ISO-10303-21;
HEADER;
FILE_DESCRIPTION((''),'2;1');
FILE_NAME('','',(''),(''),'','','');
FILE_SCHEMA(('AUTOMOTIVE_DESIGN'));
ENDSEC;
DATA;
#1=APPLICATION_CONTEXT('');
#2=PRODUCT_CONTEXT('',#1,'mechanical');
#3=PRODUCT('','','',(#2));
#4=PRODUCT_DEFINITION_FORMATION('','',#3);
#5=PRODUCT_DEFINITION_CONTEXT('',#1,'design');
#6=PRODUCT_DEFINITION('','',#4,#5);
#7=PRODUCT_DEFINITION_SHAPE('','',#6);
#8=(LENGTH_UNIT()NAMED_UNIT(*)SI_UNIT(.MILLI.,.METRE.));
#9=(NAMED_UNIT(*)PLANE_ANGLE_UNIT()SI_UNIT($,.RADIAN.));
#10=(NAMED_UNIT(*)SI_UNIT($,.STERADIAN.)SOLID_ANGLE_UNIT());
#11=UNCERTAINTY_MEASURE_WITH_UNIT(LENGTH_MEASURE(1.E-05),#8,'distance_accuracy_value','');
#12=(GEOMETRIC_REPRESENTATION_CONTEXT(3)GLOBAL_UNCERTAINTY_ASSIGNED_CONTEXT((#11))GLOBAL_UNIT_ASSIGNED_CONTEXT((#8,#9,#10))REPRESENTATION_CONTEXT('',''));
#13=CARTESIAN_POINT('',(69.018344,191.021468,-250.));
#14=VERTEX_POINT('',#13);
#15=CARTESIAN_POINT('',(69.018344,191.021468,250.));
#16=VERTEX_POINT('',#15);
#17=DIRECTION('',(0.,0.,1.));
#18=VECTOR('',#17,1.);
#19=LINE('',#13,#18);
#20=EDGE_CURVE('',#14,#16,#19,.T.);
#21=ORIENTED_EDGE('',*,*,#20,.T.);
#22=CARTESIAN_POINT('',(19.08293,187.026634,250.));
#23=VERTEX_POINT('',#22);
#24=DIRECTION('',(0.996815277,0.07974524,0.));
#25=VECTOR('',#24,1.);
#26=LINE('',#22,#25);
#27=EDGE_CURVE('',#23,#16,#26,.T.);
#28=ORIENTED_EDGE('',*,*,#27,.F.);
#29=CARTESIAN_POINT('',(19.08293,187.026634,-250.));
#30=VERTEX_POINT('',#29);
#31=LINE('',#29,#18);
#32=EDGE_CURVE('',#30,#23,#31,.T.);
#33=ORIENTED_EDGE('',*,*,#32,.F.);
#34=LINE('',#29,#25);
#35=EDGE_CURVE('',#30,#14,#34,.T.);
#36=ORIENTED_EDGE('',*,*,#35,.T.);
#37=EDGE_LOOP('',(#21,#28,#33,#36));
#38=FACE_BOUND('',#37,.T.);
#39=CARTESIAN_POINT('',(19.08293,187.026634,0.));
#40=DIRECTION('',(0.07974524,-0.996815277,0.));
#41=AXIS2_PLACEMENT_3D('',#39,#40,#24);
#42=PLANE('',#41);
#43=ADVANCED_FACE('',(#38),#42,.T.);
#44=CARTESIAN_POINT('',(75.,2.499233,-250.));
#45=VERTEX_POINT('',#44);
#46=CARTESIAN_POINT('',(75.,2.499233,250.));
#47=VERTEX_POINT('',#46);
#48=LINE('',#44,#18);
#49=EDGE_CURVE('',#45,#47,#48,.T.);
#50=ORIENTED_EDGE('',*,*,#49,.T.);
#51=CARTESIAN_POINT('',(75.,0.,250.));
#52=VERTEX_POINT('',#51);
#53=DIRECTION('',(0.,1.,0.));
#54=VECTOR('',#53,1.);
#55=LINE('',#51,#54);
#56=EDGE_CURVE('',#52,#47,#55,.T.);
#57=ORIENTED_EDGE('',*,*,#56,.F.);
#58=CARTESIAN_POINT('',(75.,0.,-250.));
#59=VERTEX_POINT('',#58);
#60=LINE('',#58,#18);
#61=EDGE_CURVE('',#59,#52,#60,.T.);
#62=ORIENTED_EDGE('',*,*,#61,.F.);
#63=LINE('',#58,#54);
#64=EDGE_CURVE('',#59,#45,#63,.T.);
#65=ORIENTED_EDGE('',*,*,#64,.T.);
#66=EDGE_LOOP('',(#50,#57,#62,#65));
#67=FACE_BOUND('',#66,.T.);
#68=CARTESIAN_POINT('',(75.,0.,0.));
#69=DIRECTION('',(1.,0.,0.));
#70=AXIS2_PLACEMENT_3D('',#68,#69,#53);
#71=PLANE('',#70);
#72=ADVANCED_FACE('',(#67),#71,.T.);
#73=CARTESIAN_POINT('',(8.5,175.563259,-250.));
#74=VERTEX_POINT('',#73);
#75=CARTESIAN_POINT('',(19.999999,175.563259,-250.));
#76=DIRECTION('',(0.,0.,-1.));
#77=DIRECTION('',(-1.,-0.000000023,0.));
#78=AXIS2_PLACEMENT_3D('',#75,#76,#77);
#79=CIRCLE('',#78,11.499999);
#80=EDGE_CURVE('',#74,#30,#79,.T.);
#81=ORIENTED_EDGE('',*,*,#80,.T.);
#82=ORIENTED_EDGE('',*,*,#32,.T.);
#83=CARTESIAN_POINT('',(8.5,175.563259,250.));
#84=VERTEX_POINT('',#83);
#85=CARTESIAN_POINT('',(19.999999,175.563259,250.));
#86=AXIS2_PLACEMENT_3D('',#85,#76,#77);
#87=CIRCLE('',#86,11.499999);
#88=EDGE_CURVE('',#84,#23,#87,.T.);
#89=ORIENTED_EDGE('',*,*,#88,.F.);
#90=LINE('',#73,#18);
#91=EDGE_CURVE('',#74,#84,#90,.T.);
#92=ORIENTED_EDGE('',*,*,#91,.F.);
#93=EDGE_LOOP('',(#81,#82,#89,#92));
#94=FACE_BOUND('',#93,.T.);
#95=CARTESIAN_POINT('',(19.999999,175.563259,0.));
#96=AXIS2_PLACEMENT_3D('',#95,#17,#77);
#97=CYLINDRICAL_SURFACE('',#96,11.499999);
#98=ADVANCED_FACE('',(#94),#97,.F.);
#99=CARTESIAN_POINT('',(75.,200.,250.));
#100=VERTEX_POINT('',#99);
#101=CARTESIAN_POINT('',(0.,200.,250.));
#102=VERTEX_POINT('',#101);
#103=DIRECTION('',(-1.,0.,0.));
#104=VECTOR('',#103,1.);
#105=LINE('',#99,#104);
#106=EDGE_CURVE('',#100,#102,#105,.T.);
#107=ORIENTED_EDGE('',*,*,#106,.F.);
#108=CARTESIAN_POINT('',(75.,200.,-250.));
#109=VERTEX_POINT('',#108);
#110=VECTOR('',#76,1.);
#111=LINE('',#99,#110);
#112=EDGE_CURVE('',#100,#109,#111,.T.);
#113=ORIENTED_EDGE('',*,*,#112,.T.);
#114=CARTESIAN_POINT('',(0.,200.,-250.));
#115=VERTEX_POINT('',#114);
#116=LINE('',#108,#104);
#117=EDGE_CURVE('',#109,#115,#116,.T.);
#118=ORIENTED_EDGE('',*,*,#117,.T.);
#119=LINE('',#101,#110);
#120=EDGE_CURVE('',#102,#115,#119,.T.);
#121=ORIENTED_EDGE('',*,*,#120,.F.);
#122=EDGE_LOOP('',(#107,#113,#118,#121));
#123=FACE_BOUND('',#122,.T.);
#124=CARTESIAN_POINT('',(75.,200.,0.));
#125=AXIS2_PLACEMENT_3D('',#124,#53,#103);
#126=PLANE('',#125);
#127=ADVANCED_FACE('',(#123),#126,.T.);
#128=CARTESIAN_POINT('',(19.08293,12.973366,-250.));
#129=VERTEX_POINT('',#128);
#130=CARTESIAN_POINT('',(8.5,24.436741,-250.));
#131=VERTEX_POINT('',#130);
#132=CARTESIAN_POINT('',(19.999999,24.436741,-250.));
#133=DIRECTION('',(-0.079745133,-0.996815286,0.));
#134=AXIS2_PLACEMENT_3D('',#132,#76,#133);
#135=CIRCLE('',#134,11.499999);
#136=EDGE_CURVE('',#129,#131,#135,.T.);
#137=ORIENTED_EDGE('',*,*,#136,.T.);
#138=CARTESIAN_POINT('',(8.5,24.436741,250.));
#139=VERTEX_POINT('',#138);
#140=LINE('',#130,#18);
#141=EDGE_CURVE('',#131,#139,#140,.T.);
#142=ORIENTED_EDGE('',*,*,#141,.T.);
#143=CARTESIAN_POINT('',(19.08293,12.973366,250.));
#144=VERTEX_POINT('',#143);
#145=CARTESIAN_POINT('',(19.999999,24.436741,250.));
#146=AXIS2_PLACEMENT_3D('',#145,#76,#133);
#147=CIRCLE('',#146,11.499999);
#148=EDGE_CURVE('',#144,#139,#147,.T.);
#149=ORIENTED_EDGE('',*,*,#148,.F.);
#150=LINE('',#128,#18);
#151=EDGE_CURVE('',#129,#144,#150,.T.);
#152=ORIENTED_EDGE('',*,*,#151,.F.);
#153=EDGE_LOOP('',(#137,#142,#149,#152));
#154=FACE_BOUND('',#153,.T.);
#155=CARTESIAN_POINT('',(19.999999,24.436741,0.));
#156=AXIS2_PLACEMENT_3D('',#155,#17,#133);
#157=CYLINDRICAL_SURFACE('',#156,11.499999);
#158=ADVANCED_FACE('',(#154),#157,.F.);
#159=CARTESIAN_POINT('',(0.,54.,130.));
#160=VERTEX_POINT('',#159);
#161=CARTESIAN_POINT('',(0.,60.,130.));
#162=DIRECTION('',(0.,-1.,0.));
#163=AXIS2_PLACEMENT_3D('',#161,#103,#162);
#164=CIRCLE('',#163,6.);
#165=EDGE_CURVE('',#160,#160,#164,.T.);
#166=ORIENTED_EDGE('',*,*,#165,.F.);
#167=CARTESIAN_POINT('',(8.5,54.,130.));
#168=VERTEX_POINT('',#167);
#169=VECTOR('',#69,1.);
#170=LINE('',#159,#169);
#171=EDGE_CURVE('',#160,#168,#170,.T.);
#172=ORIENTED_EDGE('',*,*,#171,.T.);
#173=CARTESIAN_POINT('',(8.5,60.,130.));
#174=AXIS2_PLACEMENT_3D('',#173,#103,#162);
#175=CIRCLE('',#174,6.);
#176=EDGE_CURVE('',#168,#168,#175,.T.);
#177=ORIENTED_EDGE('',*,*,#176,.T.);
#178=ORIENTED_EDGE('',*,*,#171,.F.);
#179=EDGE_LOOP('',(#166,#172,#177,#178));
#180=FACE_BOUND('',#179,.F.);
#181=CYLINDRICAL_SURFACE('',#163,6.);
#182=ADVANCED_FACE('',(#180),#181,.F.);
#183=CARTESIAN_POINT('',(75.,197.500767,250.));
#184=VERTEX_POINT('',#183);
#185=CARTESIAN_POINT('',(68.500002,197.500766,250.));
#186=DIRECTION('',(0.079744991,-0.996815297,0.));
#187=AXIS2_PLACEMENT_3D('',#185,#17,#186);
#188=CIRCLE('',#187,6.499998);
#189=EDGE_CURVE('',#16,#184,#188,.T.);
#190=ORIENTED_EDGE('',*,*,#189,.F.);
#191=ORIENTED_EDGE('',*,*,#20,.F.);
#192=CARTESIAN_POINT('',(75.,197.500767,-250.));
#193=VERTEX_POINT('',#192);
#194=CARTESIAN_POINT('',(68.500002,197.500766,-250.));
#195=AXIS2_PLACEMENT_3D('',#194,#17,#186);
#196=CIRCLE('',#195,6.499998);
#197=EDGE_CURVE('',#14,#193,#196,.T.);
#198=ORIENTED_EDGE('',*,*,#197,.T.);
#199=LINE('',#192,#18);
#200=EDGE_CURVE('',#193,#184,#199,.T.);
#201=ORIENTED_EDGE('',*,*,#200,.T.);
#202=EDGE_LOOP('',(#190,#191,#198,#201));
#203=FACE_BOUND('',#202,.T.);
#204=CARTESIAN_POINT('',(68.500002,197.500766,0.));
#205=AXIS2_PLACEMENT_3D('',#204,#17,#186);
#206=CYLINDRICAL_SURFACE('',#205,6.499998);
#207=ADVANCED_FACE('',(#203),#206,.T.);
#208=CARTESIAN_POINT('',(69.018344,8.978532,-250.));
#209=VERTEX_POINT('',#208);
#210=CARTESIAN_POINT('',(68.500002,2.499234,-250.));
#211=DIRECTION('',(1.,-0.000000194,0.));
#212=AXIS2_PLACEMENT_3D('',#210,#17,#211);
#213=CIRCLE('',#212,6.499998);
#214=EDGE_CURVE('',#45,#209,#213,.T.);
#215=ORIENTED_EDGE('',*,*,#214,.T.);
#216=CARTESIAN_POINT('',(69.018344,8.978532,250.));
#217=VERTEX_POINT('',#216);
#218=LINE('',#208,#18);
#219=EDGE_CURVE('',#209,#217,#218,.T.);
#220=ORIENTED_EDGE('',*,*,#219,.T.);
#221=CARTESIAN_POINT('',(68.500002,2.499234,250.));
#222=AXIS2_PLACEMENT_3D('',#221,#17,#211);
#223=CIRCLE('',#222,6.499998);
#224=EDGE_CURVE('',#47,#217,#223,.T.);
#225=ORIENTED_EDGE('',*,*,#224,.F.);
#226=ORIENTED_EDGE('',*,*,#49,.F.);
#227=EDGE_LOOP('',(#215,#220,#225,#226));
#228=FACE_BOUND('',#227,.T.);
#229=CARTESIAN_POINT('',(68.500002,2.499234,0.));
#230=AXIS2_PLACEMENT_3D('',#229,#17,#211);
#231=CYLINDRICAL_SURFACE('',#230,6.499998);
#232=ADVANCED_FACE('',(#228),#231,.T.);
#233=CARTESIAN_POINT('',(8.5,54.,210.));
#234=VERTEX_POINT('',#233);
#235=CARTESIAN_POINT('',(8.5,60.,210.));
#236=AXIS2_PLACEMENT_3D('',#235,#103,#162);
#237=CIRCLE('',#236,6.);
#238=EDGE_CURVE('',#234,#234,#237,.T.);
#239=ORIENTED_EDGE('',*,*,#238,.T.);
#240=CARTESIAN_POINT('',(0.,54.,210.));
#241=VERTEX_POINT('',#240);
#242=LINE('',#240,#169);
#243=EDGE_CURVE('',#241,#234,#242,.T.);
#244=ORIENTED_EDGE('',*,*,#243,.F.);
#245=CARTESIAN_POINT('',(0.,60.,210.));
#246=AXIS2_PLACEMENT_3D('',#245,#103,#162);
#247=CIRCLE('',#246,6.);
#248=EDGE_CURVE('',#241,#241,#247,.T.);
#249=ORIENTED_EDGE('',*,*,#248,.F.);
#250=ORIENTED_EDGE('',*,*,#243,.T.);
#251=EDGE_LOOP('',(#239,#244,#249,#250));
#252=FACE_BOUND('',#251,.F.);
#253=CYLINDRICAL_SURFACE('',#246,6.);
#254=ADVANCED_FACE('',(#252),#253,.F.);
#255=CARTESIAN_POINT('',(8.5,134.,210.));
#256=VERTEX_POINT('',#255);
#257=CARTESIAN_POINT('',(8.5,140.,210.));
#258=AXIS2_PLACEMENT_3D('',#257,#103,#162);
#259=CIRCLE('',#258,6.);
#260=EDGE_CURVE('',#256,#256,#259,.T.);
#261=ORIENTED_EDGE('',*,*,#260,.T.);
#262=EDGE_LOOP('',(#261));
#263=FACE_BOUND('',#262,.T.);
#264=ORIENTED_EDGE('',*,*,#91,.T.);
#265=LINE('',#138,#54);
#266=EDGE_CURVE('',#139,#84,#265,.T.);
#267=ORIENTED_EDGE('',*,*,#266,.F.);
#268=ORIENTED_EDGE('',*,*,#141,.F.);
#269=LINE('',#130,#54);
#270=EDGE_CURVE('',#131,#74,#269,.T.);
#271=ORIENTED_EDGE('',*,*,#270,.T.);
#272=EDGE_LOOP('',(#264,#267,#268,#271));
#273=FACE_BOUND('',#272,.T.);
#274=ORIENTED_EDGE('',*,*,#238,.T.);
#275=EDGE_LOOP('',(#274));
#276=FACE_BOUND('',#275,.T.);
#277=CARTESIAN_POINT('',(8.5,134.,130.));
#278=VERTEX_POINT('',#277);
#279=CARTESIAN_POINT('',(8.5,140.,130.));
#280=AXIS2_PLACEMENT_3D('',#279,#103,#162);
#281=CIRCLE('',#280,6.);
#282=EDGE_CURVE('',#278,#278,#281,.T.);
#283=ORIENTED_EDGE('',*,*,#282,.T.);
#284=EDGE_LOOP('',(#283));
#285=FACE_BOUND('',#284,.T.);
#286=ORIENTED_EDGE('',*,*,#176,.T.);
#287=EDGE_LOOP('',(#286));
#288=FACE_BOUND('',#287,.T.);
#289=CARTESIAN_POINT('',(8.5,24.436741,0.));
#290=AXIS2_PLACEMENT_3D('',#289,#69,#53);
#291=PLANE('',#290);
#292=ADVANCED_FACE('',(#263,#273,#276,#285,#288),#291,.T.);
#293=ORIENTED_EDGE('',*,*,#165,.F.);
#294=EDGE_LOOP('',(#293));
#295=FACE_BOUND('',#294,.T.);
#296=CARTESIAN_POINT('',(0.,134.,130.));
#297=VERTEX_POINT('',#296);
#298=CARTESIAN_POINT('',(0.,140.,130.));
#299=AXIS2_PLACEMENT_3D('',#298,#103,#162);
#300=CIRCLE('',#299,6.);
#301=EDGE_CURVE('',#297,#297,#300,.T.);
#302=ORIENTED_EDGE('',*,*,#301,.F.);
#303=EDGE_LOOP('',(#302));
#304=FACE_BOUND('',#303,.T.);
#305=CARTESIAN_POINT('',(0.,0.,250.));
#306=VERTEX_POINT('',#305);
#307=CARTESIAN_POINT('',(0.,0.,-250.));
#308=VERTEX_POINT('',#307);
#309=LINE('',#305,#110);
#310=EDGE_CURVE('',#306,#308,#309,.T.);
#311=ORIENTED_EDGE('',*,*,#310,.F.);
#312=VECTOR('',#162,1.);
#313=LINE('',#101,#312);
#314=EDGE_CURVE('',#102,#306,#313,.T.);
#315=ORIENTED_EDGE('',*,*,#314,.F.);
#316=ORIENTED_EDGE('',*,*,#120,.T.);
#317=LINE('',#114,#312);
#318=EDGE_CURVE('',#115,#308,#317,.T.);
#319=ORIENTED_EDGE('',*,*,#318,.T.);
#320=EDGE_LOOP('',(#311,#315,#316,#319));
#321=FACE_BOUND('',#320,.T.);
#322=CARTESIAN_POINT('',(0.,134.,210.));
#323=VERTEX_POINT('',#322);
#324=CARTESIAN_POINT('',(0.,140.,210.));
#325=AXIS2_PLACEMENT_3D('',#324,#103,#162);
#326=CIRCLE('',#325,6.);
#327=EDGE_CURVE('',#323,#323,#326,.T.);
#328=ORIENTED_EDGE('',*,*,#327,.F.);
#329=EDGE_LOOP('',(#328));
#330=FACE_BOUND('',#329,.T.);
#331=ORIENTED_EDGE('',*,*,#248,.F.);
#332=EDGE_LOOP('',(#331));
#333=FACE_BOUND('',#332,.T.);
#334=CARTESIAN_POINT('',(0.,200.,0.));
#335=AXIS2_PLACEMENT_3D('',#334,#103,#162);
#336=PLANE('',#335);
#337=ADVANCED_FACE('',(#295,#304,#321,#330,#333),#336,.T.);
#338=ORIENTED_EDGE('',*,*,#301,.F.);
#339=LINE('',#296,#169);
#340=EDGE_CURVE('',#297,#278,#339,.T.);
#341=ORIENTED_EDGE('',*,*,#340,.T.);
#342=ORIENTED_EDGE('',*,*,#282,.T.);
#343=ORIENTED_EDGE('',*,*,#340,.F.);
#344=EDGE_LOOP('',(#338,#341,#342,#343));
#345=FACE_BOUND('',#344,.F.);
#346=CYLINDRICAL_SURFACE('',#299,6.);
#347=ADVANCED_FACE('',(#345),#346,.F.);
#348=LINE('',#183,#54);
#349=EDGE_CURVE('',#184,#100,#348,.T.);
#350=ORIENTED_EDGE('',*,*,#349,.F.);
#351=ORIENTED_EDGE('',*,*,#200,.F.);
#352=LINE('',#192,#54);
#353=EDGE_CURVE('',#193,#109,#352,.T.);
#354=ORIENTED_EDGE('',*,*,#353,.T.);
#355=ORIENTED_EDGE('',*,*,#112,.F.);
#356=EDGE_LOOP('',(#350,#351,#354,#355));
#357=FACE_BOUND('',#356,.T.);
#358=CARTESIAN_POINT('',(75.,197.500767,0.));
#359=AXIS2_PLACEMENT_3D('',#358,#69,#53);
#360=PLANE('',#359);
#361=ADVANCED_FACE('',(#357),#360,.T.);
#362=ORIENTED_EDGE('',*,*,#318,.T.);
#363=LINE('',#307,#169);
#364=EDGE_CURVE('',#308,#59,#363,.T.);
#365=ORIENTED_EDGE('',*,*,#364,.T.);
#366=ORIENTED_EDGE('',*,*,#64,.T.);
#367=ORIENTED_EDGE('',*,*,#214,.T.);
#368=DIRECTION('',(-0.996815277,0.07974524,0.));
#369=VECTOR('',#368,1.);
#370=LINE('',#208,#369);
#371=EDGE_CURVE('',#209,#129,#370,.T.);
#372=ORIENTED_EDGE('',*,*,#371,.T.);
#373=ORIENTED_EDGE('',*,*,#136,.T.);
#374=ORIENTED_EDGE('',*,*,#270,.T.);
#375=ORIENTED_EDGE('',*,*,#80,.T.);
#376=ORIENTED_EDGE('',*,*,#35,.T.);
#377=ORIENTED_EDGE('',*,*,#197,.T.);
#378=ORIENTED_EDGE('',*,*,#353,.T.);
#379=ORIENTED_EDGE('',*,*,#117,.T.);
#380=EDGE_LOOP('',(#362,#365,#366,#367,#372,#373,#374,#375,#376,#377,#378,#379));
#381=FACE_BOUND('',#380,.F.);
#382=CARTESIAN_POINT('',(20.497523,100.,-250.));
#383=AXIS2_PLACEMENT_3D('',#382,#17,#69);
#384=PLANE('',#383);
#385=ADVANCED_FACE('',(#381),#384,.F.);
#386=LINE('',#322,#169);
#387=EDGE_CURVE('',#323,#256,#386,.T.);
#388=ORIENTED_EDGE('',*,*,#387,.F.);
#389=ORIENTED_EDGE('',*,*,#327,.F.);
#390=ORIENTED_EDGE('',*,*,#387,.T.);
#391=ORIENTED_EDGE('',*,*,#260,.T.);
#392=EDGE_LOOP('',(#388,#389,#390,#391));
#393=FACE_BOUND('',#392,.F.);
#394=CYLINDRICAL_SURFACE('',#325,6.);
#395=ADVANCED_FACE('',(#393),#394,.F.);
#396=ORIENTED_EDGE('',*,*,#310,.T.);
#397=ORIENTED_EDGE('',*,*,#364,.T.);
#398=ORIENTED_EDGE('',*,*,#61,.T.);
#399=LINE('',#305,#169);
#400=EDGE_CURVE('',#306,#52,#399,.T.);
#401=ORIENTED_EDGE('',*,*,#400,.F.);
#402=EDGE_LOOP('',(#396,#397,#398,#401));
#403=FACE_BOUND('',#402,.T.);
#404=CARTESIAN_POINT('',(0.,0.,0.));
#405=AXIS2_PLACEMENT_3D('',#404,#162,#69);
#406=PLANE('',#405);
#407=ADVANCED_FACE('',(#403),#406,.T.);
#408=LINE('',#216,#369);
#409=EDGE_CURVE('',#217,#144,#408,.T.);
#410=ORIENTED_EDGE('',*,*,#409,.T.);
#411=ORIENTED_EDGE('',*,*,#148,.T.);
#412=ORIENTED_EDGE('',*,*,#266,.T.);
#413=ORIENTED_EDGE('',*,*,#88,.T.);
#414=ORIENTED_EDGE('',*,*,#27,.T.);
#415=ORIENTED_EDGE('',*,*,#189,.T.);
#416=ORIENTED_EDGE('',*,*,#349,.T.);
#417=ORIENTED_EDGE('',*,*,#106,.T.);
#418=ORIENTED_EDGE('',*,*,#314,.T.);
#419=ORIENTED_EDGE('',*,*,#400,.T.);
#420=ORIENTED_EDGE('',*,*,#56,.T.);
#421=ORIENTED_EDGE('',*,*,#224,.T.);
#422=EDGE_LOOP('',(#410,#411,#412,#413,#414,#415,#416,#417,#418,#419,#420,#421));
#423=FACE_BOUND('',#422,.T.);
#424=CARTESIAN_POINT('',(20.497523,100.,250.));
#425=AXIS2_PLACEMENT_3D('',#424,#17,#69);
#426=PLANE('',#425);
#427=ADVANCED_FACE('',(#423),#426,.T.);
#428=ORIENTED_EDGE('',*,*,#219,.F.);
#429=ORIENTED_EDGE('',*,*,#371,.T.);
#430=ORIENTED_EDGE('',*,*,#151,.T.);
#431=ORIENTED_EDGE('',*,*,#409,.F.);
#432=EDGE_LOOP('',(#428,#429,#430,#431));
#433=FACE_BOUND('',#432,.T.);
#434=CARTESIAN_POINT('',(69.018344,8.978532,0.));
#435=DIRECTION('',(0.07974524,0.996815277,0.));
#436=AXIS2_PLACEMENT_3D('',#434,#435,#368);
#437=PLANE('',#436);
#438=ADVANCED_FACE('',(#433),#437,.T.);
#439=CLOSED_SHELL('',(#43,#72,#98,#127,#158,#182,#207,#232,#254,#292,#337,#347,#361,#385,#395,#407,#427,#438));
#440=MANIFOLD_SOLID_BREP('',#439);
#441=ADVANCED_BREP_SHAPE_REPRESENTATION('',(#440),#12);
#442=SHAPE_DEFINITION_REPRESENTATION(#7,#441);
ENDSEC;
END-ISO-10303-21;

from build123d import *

# Parameters (mm, degrees)
F1_DEPTH = 250
F2_R     = 6
F3_DEPTH = 75.001


with BuildPart() as f1:
    # F0 (on Top) → F1 (new body, symmetric)
    with BuildSketch(Plane.XY):
        with BuildLine():
            Line((0, 100), (0, 0))
            Line((0, 0), (75, 0))
            Line((75, 0), (75, 2.499233))
            ThreePointArc((75, 2.499233), (73.275942, 6.908358), (69.018344, 8.978532))
            Line((69.018344, 8.978532), (19.08293, 12.973366))
            ThreePointArc((19.08293, 12.973366), (11.550257, 16.635982), (8.5, 24.436741))
            Line((8.5, 24.436741), (8.5, 100))
            Line((8.5, 100), (8.5, 175.563259))
            ThreePointArc((8.5, 175.563259), (11.550257, 183.364018), (19.08293, 187.026634))
            Line((19.08293, 187.026634), (69.018344, 191.021468))
            ThreePointArc((69.018344, 191.021468), (73.275942, 193.091642), (75, 197.500767))
            Line((75, 197.500767), (75, 200))
            Line((75, 200), (0, 200))
            Line((0, 200), (0, 100))
        make_face()
    extrude(amount=F1_DEPTH, both=True)

    # F2 (on face) → F3 (cut, through all)
    with BuildSketch(Plane(origin=(0, 0, 0), x_dir=(0, -1, 0), z_dir=(-1, 0, 0))):
        with Locations((-60, 210)):
            Circle(F2_R)
        with Locations((-140, 210)):
            Circle(F2_R)
        with Locations((-60, 130)):
            Circle(F2_R)
        with Locations((-140, 130)):
            Circle(F2_R)
    extrude(amount=-F3_DEPTH, mode=Mode.SUBTRACT)


solid = f1.part
